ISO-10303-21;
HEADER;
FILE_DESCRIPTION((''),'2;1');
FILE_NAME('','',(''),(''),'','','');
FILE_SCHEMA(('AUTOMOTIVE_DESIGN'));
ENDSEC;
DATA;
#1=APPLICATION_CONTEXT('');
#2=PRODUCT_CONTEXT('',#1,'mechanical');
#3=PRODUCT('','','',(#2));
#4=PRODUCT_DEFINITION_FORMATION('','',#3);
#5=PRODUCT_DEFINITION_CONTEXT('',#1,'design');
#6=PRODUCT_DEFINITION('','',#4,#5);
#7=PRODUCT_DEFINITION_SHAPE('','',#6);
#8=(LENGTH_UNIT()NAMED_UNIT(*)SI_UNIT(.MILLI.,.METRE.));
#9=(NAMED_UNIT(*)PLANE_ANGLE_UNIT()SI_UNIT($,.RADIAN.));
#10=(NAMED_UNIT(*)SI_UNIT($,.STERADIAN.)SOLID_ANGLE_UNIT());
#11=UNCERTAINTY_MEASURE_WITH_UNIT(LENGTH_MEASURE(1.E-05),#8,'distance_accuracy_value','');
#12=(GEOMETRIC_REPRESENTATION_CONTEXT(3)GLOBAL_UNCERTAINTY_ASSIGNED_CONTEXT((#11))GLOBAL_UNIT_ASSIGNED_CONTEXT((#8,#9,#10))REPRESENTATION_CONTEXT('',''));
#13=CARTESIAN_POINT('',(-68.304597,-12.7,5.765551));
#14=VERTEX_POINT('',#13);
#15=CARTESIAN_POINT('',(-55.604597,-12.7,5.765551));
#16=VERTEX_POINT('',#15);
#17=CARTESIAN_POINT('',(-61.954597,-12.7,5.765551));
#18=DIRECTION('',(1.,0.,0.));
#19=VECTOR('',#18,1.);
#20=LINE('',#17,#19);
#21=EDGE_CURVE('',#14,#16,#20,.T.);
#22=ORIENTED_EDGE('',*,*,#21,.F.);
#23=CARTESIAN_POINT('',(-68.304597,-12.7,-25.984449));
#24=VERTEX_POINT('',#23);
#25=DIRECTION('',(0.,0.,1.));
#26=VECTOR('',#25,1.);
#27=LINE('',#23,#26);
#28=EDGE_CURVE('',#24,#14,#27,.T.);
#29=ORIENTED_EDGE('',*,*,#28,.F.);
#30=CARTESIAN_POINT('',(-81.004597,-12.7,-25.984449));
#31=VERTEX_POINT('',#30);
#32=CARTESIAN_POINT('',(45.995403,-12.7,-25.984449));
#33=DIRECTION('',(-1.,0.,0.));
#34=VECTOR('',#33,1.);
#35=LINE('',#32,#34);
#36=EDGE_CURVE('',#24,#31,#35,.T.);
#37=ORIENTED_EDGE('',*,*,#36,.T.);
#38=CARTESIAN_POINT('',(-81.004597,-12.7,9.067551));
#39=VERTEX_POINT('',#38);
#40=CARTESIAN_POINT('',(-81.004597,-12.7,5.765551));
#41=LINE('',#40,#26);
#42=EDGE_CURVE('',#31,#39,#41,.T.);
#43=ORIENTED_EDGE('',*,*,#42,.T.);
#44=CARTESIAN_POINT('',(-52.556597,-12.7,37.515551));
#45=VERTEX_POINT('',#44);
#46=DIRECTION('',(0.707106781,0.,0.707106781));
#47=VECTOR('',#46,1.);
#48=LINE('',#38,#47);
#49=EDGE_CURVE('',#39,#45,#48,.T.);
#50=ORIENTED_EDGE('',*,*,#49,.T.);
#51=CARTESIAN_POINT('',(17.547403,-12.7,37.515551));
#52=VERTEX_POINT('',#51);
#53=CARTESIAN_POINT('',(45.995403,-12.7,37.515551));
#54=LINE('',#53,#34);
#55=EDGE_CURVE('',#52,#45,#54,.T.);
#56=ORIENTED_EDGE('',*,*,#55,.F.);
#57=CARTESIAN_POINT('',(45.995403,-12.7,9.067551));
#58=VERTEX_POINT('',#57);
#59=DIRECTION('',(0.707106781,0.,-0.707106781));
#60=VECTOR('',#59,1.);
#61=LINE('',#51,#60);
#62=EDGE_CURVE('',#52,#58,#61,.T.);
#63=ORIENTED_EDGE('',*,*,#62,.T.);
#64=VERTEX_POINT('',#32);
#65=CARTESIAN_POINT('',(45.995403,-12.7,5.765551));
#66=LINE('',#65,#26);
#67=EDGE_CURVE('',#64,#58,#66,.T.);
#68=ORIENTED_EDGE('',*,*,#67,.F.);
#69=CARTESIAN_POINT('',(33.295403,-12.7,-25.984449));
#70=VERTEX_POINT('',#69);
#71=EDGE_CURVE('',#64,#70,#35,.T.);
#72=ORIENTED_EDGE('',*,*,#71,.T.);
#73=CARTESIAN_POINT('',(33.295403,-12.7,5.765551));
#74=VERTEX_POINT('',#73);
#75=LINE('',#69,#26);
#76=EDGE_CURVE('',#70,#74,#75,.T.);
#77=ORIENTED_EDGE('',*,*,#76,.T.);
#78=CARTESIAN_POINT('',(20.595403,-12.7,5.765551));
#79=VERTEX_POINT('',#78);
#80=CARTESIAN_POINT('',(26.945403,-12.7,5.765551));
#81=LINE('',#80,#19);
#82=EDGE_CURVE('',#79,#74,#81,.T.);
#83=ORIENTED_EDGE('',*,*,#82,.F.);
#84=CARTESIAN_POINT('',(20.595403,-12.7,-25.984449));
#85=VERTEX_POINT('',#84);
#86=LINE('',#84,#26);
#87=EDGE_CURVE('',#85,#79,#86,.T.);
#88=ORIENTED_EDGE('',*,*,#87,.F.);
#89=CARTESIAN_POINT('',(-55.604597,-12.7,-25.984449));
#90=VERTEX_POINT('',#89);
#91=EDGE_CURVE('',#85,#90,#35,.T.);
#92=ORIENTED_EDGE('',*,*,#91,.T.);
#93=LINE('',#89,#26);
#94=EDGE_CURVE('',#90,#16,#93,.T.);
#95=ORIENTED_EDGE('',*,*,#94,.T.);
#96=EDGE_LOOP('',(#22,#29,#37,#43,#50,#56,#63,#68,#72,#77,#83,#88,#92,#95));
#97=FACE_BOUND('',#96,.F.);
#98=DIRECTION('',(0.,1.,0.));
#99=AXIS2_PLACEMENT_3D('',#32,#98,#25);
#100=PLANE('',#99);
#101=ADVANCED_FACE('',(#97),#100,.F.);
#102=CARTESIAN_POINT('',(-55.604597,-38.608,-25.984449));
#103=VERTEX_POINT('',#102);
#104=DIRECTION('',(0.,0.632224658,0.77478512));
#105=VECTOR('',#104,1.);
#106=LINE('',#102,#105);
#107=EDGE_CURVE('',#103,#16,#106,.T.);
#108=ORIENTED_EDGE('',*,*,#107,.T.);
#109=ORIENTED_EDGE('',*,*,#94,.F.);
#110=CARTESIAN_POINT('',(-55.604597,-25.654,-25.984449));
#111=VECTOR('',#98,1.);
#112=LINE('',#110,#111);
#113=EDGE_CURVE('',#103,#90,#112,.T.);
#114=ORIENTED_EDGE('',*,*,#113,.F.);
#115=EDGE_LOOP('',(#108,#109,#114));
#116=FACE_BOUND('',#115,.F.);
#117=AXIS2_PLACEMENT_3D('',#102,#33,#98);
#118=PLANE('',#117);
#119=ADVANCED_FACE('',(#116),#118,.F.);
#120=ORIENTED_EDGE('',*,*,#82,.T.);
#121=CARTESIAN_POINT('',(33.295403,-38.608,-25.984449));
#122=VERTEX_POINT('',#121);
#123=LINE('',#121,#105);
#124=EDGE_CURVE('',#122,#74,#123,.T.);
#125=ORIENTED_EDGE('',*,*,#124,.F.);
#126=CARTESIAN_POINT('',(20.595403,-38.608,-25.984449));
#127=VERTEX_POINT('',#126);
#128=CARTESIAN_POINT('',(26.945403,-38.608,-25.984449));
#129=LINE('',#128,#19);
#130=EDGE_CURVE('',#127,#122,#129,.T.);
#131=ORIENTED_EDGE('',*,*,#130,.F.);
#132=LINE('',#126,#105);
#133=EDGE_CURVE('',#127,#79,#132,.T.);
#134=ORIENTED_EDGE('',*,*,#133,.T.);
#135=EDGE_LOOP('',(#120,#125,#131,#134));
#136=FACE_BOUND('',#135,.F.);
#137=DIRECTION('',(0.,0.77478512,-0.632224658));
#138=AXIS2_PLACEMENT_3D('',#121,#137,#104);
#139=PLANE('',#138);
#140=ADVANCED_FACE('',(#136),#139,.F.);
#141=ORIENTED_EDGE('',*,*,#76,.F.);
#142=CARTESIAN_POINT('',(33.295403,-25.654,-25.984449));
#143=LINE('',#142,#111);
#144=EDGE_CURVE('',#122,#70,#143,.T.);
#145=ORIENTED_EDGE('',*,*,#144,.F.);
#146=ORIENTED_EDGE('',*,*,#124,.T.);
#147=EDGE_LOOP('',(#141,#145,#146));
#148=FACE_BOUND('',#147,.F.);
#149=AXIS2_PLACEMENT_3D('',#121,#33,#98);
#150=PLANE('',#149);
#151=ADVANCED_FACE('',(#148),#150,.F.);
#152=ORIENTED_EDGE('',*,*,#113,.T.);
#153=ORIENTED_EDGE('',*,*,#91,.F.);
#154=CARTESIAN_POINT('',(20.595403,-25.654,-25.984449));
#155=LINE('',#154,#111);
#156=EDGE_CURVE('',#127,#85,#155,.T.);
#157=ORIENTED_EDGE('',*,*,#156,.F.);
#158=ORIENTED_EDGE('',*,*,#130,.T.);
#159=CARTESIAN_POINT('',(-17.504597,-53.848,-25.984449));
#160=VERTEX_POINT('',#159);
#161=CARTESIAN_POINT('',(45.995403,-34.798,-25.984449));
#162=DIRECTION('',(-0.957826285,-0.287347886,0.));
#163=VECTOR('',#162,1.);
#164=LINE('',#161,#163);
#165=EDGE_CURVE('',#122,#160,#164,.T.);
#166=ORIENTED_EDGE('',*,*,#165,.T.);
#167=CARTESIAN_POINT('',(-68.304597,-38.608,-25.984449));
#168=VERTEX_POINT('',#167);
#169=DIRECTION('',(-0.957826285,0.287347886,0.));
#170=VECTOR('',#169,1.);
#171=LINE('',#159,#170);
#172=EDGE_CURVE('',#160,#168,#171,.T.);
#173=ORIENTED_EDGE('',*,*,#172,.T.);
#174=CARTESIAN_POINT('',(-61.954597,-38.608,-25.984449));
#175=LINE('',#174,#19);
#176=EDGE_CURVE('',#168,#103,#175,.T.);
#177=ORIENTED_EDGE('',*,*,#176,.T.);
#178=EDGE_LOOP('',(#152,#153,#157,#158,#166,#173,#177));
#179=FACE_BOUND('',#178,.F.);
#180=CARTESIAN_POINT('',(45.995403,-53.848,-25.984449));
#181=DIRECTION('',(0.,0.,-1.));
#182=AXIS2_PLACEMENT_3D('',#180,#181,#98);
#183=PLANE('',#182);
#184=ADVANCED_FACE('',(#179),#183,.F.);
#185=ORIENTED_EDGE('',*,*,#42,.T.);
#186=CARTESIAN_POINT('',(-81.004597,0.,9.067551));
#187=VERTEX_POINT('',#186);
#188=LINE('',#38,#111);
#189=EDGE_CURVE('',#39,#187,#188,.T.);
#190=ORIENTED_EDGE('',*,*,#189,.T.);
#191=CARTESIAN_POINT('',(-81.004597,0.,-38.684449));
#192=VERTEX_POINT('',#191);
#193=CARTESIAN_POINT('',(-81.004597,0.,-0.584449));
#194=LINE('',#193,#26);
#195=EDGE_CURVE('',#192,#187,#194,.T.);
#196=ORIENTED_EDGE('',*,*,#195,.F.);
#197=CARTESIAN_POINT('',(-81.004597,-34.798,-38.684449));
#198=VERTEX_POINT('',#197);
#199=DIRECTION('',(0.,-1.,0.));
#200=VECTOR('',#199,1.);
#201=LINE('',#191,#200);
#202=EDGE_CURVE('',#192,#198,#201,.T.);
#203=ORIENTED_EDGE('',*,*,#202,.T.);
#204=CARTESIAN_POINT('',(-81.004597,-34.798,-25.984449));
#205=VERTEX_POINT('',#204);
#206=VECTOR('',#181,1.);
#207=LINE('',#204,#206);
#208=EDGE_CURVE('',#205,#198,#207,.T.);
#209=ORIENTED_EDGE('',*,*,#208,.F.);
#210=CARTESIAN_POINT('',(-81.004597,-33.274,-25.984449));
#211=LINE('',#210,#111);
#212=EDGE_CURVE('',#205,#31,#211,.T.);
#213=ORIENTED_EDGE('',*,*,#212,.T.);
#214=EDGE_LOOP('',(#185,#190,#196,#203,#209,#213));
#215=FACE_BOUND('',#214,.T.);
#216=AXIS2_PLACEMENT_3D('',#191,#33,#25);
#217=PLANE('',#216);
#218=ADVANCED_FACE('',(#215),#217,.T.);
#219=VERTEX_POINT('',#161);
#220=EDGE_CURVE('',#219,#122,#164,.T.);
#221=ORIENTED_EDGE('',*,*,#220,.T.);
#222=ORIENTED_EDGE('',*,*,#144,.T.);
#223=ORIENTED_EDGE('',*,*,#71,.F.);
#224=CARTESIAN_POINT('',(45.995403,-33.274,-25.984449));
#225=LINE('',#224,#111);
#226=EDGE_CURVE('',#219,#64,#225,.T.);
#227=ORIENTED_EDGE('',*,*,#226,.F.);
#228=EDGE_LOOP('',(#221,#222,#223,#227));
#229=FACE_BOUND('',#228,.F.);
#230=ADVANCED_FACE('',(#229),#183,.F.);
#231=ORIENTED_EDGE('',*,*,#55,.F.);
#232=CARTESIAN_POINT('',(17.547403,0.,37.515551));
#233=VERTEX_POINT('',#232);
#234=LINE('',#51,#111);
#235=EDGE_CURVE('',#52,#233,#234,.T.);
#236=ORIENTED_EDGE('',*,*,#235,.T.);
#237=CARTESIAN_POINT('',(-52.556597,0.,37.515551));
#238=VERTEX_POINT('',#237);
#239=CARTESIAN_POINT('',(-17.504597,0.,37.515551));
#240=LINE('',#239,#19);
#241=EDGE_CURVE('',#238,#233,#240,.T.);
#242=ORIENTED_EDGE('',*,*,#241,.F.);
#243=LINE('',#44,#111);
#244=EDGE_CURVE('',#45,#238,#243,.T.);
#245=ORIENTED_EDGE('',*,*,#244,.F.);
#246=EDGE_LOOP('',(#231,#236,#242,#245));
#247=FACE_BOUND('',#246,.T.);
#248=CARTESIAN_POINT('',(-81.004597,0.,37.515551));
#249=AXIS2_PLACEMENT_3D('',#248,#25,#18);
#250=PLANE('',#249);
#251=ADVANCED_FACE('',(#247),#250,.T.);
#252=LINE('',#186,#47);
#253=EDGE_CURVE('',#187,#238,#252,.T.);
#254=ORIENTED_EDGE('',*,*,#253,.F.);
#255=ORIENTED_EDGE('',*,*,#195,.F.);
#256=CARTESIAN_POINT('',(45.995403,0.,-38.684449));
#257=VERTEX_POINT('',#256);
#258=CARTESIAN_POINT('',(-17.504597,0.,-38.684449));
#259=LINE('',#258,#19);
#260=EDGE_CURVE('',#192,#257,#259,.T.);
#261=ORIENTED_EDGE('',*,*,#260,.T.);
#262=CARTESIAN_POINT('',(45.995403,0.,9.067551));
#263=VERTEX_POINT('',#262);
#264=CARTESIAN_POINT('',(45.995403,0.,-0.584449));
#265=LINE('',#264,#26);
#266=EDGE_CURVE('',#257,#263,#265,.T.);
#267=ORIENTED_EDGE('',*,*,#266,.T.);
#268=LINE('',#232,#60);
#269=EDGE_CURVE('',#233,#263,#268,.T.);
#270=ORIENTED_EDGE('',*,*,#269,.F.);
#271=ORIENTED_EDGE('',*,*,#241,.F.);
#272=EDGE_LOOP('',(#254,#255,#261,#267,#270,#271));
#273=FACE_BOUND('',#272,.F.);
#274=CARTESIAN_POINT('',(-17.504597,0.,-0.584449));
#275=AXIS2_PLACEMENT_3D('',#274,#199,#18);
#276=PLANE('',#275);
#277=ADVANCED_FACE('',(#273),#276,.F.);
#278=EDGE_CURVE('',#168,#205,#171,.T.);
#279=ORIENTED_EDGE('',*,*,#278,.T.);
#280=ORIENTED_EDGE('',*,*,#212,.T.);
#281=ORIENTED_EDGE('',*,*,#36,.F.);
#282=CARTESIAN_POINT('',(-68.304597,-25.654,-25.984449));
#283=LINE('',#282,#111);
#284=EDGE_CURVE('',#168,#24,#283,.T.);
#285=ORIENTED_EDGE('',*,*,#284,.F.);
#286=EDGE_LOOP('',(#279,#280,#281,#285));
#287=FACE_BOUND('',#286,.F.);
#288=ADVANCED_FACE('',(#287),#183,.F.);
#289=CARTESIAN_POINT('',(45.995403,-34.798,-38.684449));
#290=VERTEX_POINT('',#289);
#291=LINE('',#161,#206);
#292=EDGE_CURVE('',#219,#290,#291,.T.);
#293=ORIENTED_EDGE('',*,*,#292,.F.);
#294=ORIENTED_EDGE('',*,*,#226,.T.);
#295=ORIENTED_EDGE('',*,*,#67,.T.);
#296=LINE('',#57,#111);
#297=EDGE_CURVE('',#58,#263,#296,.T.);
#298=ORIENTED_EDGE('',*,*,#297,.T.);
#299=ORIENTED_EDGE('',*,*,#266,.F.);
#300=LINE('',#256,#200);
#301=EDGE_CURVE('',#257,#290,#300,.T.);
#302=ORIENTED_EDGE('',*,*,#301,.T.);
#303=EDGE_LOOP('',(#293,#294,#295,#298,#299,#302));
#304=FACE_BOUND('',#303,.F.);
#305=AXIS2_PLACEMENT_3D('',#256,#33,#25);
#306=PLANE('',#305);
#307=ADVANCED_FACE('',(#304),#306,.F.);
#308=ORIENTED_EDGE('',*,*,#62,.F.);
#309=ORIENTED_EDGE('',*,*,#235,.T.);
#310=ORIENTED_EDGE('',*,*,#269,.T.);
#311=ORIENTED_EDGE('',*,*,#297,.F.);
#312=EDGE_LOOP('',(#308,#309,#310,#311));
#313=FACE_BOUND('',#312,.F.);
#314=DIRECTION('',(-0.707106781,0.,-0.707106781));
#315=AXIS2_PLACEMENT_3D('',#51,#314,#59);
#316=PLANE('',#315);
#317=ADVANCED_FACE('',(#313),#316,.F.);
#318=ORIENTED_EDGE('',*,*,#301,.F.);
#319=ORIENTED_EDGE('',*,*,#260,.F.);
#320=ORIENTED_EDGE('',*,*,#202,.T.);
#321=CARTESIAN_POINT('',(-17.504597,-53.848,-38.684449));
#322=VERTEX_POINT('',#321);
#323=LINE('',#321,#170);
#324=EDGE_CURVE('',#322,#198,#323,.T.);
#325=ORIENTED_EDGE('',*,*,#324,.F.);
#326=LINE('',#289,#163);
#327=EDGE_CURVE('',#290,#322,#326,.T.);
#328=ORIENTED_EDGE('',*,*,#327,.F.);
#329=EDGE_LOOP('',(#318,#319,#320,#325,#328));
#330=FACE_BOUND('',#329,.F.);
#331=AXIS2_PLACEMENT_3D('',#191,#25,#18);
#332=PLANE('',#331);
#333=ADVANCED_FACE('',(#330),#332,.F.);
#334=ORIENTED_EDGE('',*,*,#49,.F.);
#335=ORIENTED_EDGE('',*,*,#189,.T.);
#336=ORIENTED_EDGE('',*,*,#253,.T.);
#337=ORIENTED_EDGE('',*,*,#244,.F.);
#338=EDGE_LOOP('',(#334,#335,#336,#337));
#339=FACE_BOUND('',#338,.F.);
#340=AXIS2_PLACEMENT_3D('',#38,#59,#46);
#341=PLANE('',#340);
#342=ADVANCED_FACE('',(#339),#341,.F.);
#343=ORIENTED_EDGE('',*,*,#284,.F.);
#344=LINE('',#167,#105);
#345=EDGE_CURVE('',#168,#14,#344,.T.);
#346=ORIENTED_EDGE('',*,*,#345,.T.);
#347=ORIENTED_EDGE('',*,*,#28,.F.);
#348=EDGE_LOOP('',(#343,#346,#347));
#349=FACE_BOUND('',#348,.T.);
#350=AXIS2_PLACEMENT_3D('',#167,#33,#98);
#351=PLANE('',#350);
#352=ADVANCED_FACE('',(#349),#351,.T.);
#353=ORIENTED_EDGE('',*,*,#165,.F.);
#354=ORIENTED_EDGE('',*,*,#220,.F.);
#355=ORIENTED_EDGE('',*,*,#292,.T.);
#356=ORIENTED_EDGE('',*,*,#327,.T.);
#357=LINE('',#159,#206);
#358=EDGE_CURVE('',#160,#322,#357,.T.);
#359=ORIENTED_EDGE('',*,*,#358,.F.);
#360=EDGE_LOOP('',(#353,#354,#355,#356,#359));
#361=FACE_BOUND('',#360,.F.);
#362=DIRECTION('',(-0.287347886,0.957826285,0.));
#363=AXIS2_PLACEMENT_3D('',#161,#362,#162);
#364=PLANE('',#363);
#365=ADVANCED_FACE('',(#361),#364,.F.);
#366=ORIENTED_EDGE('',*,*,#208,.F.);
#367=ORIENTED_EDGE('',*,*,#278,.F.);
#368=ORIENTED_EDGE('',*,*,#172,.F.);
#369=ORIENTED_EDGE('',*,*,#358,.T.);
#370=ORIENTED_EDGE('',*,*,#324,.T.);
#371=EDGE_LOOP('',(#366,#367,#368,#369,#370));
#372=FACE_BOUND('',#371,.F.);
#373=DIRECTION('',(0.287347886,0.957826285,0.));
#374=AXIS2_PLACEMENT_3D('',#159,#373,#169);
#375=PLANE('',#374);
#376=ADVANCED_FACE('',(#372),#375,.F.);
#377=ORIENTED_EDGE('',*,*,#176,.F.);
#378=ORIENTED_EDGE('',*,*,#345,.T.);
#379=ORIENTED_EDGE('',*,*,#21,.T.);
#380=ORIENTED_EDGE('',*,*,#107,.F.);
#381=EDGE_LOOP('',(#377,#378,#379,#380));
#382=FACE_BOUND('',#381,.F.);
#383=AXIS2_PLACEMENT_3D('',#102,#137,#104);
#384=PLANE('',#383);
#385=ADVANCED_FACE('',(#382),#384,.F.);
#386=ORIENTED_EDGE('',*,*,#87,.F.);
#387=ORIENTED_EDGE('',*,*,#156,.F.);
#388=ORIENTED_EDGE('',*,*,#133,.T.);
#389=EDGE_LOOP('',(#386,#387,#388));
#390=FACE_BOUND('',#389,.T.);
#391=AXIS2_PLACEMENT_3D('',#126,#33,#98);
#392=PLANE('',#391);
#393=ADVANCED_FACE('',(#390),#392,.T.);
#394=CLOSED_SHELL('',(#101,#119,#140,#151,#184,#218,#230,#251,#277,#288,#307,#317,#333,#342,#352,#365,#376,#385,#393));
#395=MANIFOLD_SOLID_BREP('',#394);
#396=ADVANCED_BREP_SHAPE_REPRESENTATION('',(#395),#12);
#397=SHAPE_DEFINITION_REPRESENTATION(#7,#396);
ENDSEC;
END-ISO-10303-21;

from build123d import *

# Parameters (mm, degrees)
F0_W      = 127
F0_H      = 76.2
F1_DEPTH  = 53.848
F2_W      = 41.148
F2_H      = 63.5
F3_DEPTH  = 127
F5_DEPTH  = 12.7
F7_DEPTH  = 12.7
F8_W      = 12.7
F8_H      = 25.908
F9_DEPTH  = 31.75
F11_DEPTH = 12.7
F13_DEPTH = 12.7


with BuildPart() as f1:
    # F0 (on Front) → F1 (new body)
    with BuildSketch(Plane.XZ):
        with Locations((-17.504597, -0.584449)):
            Rectangle(F0_W, F0_H)
    extrude(amount=F1_DEPTH)

    # F2 (on face) → F3 (cut)
    with BuildSketch(Plane.YZ.offset(45.995403)):
        with Locations((-33.274, 5.765551)):
            Rectangle(F2_W, F2_H)
    extrude(amount=-F3_DEPTH, mode=Mode.SUBTRACT)

    # F4 (on face) → F5 (cut)
    with BuildSketch(Plane.XZ.offset(12.7)):
        Polygon((45.995403, 9.067551), (45.995403, 37.515551), (17.547403, 37.515551), align=None)
        Polygon((-52.556597, 37.515551), (-81.004597, 37.515551), (-81.004597, 9.067551), align=None)
    extrude(amount=-F5_DEPTH, mode=Mode.SUBTRACT)

    # F6 (on face) → F7 (cut)
    with BuildSketch(Plane.XY.offset(-25.984449)):
        Polygon((45.995403, -34.798), (-17.504597, -53.848), (45.995403, -53.848), align=None)
        Polygon((-81.004597, -53.848), (-17.504597, -53.848), (-81.004597, -34.798), align=None)
    extrude(amount=-F7_DEPTH, mode=Mode.SUBTRACT)

    # F8 (on face) → F9 (join)
    with BuildSketch(Plane.XY.offset(-25.984449)):
        with Locations((26.945403, -25.654)):
            Rectangle(F8_W, F8_H)
        with Locations((-61.954597, -25.654)):
            Rectangle(F8_W, F8_H)
    extrude(amount=F9_DEPTH)

    # F10 (on face) → F11 (cut)
    with BuildSketch(Plane.YZ.offset(-55.604597)):
        Polygon((-38.608, -25.984449), (-12.7, 5.765551), (-38.608, 5.765551), align=None)
    extrude(amount=-F11_DEPTH, mode=Mode.SUBTRACT)

    # F12 (on face) → F13 (cut)
    with BuildSketch(Plane.YZ.offset(33.295403)):
        Polygon((-38.608, -25.984449), (-12.7, 5.765551), (-38.608, 5.765551), align=None)
    extrude(amount=-F13_DEPTH, mode=Mode.SUBTRACT)


solid = f1.part
